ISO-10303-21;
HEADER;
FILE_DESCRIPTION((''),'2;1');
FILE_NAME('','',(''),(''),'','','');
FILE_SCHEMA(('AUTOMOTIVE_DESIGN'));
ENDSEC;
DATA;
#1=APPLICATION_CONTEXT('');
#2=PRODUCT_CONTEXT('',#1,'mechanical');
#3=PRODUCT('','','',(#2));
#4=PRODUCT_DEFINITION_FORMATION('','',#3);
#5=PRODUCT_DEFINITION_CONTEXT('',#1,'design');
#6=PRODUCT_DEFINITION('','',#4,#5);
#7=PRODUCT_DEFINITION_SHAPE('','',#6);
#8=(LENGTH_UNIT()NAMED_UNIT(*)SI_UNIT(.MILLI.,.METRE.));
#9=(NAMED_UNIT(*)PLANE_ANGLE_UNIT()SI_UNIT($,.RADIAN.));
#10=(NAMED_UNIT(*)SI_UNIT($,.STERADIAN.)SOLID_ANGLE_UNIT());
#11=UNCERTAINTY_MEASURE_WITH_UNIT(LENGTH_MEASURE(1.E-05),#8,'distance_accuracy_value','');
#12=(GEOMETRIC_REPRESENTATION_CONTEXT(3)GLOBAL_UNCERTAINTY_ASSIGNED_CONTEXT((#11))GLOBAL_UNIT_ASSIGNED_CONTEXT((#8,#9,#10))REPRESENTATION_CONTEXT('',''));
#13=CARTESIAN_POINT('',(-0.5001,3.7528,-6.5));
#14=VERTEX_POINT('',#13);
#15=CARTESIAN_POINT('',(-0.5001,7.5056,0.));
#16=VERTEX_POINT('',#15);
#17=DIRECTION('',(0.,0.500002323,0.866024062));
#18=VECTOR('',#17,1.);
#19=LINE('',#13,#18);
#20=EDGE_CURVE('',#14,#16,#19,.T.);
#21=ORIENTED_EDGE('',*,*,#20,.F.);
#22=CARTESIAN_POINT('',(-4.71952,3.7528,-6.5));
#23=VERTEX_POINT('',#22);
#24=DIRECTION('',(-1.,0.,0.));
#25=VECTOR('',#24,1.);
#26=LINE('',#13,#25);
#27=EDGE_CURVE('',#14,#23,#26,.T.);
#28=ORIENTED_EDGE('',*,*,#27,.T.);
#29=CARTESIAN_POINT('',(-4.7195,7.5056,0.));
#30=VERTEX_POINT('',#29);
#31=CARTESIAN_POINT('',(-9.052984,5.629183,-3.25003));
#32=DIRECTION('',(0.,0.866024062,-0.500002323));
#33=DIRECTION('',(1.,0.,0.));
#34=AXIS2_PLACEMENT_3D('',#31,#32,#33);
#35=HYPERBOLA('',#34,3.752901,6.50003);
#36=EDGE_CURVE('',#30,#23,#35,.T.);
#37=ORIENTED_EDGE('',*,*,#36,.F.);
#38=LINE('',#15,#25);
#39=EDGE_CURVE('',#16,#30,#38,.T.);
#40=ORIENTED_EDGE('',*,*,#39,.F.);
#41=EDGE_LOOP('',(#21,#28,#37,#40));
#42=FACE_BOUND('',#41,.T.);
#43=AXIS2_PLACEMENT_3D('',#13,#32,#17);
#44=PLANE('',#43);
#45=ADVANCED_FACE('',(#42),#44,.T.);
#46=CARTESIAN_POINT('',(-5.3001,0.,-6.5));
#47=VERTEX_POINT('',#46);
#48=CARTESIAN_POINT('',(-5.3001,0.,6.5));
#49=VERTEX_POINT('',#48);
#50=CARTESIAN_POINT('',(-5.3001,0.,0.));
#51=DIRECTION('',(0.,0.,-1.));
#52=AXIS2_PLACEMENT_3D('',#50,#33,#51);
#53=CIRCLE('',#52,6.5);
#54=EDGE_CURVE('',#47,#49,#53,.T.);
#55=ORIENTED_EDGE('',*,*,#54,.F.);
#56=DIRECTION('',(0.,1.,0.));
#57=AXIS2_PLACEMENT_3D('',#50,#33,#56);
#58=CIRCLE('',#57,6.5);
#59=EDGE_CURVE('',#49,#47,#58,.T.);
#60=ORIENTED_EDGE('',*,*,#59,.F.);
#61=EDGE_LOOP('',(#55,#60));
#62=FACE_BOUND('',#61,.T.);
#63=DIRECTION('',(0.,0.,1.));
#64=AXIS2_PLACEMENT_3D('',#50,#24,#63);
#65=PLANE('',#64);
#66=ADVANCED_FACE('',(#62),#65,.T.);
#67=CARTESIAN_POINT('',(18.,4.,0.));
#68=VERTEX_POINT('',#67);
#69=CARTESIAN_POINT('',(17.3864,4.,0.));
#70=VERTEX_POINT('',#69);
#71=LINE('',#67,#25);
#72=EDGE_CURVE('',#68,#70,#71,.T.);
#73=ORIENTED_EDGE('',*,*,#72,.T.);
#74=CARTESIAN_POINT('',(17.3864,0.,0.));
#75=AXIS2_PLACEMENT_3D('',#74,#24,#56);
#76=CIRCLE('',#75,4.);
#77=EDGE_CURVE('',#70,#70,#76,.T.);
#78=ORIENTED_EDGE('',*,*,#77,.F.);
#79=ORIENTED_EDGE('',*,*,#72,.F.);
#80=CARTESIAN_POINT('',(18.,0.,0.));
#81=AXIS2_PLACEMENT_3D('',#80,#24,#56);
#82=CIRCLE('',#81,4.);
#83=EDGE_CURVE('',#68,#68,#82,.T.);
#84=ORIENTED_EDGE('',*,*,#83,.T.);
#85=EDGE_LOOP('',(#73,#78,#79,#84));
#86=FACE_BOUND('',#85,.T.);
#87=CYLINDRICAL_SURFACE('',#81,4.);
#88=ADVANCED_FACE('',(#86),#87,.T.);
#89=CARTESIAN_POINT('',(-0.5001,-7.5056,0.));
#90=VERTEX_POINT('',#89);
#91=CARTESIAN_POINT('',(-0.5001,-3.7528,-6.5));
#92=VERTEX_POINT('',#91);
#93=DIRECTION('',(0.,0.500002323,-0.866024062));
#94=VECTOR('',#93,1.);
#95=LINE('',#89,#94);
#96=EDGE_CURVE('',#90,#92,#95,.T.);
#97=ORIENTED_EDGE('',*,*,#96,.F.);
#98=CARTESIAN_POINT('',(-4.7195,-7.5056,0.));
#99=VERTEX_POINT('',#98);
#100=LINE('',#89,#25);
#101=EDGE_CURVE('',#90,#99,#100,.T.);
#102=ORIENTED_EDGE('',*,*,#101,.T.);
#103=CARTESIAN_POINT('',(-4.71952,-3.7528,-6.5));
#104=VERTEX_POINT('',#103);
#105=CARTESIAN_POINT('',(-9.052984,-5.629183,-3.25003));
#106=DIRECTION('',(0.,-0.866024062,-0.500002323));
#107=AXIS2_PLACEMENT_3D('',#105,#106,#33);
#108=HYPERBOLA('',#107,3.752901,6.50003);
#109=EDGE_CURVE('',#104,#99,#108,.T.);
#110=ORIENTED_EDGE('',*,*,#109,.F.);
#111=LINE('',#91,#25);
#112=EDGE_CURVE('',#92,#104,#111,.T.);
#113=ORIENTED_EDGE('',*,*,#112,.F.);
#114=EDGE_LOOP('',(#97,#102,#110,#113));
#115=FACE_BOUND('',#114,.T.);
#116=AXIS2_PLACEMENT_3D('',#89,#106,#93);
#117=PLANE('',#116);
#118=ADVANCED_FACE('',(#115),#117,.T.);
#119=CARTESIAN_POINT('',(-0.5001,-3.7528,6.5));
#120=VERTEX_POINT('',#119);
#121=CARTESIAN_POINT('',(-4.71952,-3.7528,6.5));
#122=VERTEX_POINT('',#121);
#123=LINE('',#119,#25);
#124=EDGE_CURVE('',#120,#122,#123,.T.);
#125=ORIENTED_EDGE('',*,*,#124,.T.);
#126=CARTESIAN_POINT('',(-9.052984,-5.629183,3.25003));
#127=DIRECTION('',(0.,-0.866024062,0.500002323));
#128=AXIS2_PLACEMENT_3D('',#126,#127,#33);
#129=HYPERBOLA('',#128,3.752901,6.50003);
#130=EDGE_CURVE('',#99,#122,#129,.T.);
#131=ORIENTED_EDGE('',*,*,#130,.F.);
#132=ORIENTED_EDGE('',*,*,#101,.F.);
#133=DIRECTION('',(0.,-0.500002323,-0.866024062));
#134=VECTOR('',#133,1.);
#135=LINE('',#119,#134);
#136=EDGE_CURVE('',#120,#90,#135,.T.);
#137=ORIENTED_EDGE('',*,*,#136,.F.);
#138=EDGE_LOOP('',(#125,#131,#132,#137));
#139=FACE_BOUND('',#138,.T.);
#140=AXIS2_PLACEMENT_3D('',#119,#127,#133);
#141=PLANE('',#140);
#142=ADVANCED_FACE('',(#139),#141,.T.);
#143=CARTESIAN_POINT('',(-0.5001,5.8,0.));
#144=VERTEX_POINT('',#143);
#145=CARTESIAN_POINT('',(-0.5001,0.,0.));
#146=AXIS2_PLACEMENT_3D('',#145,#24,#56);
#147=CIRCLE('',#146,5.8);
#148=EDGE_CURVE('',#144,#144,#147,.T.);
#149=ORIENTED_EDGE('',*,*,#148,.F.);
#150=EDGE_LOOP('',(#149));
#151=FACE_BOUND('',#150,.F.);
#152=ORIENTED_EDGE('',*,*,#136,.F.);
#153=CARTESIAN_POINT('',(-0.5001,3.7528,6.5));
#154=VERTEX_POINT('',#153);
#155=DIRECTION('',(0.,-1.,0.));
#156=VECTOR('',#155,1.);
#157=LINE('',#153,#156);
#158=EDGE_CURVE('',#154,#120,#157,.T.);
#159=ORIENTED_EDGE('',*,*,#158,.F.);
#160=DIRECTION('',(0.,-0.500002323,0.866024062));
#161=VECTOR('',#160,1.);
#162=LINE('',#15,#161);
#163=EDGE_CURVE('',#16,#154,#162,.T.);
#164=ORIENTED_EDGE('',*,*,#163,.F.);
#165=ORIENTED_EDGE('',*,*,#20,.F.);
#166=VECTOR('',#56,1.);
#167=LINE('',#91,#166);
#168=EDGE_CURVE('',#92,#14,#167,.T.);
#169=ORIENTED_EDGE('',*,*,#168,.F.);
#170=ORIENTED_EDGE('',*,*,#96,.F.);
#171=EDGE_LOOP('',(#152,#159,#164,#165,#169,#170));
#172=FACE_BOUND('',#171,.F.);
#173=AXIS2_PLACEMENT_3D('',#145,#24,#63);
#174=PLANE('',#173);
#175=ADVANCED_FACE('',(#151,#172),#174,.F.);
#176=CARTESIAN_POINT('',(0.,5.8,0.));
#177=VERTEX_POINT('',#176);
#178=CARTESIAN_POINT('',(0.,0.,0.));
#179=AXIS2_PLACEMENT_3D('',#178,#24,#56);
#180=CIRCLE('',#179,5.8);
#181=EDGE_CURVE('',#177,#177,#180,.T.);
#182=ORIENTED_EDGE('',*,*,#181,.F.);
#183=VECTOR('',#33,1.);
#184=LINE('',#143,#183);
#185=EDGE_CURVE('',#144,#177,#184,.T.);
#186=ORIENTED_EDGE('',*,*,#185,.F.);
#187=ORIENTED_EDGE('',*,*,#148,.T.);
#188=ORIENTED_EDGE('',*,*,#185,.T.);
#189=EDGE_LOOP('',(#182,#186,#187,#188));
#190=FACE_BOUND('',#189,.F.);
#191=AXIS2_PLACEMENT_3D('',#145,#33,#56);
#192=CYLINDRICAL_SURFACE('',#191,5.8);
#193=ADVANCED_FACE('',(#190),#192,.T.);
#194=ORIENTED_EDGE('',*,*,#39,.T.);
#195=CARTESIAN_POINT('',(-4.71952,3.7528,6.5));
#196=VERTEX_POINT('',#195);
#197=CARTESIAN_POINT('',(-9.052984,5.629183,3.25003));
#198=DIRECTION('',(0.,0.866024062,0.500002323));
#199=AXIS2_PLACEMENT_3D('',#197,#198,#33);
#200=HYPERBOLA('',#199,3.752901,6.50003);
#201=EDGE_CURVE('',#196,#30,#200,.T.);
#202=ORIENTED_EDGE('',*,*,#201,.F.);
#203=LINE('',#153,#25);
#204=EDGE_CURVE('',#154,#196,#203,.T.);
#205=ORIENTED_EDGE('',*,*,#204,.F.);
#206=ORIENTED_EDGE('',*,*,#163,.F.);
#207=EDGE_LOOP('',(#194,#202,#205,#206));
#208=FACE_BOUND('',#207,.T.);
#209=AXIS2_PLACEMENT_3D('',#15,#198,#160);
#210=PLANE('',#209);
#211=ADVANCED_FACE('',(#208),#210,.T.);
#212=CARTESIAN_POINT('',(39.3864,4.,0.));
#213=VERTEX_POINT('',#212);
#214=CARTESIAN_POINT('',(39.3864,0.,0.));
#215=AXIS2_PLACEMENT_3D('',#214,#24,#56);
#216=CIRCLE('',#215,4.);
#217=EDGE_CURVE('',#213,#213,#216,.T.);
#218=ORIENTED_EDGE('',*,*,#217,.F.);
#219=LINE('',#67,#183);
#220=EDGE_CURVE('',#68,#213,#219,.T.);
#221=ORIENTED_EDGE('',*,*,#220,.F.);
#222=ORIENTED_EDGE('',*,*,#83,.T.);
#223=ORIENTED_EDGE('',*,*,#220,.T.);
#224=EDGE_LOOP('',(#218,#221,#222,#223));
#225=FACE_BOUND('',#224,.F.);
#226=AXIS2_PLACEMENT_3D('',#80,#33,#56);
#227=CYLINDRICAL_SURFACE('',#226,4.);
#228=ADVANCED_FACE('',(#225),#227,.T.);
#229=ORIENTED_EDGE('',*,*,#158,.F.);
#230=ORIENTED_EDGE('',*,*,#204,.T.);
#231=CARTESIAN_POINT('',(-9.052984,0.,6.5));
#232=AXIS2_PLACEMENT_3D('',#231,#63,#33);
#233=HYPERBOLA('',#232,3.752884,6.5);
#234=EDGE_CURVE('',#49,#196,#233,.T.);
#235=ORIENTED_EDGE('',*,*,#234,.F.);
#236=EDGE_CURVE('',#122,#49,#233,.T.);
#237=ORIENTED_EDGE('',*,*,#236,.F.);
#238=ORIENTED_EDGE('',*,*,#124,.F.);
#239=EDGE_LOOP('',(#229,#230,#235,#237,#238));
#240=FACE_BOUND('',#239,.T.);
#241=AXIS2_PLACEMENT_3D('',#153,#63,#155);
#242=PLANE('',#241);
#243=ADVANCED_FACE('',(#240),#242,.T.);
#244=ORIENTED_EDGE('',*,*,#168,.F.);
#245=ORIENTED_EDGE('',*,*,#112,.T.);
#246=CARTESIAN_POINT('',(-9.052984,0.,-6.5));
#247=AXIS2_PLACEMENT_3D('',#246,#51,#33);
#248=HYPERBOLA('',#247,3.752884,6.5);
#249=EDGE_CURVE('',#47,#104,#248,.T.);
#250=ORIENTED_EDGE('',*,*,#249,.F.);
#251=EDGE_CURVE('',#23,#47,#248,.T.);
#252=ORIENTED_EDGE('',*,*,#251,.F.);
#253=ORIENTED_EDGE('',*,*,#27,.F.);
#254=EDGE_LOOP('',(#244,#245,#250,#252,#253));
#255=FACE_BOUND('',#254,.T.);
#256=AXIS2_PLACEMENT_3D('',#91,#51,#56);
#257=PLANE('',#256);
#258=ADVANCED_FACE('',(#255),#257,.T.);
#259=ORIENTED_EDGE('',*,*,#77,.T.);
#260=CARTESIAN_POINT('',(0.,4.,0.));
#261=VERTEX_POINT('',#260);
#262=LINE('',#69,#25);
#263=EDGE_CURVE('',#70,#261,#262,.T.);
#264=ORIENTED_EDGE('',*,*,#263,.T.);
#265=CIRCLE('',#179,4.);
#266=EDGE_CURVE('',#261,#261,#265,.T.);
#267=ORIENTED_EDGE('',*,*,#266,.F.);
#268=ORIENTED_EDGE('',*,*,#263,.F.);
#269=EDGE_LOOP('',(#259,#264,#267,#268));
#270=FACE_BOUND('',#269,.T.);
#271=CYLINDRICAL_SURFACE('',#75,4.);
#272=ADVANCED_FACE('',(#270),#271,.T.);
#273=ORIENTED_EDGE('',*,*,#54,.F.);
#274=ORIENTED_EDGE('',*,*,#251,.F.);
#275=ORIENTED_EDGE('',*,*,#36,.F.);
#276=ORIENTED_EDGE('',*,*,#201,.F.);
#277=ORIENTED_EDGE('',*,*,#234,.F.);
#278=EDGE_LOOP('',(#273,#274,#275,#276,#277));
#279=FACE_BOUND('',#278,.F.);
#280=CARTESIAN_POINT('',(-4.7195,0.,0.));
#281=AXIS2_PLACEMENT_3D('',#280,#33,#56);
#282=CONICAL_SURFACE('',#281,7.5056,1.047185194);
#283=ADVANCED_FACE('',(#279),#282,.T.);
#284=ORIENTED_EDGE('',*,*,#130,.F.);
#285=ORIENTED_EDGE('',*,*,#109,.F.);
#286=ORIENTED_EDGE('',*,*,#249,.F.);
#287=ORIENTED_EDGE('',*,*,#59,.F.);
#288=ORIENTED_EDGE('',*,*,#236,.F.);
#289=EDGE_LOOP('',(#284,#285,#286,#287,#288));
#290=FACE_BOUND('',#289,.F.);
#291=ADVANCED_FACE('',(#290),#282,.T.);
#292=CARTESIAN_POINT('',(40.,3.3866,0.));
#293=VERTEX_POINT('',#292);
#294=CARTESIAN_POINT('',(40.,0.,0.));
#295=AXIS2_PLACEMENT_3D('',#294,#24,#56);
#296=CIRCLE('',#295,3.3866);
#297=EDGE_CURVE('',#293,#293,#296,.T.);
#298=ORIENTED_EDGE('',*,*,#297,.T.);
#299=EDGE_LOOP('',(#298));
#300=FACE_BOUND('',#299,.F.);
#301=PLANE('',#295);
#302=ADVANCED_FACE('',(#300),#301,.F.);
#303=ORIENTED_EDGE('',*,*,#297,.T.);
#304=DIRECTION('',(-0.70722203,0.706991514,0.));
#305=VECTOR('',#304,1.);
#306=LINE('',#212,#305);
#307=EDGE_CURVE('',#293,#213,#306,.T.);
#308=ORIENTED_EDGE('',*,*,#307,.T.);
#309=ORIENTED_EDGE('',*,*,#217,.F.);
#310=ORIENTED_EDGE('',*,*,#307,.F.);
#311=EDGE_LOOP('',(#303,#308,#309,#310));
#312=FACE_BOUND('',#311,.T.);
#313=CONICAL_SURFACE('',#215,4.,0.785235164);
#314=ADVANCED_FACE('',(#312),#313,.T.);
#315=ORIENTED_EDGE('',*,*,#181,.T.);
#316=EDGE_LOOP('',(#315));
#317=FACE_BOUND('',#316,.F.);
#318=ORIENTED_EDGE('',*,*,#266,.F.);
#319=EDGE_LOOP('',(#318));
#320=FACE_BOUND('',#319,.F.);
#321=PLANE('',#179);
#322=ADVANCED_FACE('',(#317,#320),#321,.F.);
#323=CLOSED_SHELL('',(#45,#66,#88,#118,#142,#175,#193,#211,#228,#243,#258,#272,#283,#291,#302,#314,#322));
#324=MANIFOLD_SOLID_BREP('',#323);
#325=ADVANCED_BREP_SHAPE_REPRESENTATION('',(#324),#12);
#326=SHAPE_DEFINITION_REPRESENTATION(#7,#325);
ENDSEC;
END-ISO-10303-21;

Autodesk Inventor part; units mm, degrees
ref_plane "YZ Plane" through (0, 0, 0) normal (1, 0, 0) x (0, 1, 0)
ref_plane "XZ Plane" through (0, 0, 0) normal (0, 1, 0) x (-1, 0, 0)
sketch "Sketch1" plane through (0, 0, 0) normal (0, 0, 1) x (1, 0, 0)
  line L0 (0, 5.8) -> (0, 4)
  line L1 (18, 4) -> (40, 4)
  line L2 (40, 4) -> (40, 0)
  line L3 (40, 0) -> (-0.5001, 0)
  line L4 (-8.6001, 0) -> (48.1, 0) projected
  line L5 (-0.5001, 0) -> (-0.5001, 5.8)
  line L6 (-0.5001, 5.8) -> (0, 5.8)
  line L7 (18, 4) -> (17.3864, 4)
  line L8 (17.3864, 4) -> (0, 4)
  line L9 (0, -1.16) -> (0, 6.96) projected
  dimension "d0" = 40
  dimension "d1" = 22
  dimension "d2" = 8
  dimension "d9" = 0.5001
  dimension "d10" = 11.6
  dimension "d13" = 0.6136
  dimension "d14" = 8
revolve "Body" add sketch "Sketch1" angle 360 about axis through (40, 0, 0) along (-1, 0, 0)
sketch "Sketch2" plane through (-0.5001, 0, 0) normal (-1, 0, 0) x (0, 0, 1)
  line L0 (0, 7.5056) -> (6.5, 3.7528)
  line L1 (6.5, 3.7528) -> (6.5, -3.7528)
  line L2 (6.5, -3.7528) -> (0, -7.5056)
  line L3 (0, -7.5056) -> (-6.5, -3.7528)
  line L4 (-6.5, -3.7528) -> (-6.5, 3.7528)
  line L5 (-6.5, 3.7528) -> (0, 7.5056)
  point P0 (0, 0)
  point P1 (0, 0)
  dimension "d11" = 13
extrude "Head" add sketch "Sketch2" along normal blind 4.8
sketch "Sketch4" plane through (0, 0, 0) normal (0, 0, 1) x (1, 0, 0)
  line L0 (-5.3001, 6.5) -> (-5.3001, 7.5056)
  line L1 (-5.3001, 7.5056) -> (-4.7195, 7.5056)
  line L2 (-4.7195, 7.5056) -> (-5.3001, 6.5)
  line L3 (-6.2601, 0) -> (0.4599, 0) projected
  line L4 (-0.5001, 7.5056) -> (-5.3001, 7.5056) projected
  line L5 (-5.3001, 3.7528) -> (-5.3001, 7.5056) projected
  dimension "d5" = 30
  dimension "d19" = 13
revolve "Chamfer1" cut sketch "Sketch4" angle 360 about axis through (-10, 0, 0) along (1, 0, 0)
thread "Thread" size "M8x1" class "6g" standard "ISO Metric profile" length 22
chamfer "Chamfer2" distance 0.6134 distance2 0.6136 1 edges at (40, -4, 0) measured on face at (40, 0.4453, 1.0204)
ref_plane "Work Plane1" through (1.525, 0, 0) normal (0, 0, 1) x (1, 0, 0)
equation "\"d0\" = NLG"
equation "\"d1\" = GEL"
equation "\"d2\" = GD"
equation "\"d10\" = SD2"
equation "\"d14\" = BDM"
equation "\"d11\" = SW"
equation "\"d3\" = KOH - SD"
equation "\"d5\" = ANG1"
equation "\"d19\" = SW0"
equation "\"d15\" = GEL"
equation "\"d6\" = -0.5 * SPD + 0.5 * GD"
equation "\"NLG\" = 40"
equation "\"GD\" = NND"
equation "\"BDM\" = NND"
equation "\"KOH\" = 5.3"
equation "\"GEL\" = 22"
equation "\"SW\" = 13"
equation "\"SW0\" = 13"
equation "\"SPD\" = NND - 1.2269 * PTC"
equation "\"SD2\" = 11.6"
equation "\"SD\" = 0.5"
equation "\"ANG1\" = 30deg"
equation "\"GAL\" = 0.61345 * PTC"
equation "\"GUL\" = 0.61345 * PTC"
equation "\"RR\" = 0.4"
equation "\"GD1\" = THREADDIA - 1.2269 * PTC"
equation "\"THREADDIA\" = 8"
equation "\"TOA\" = 30deg"
equation "\"PTC\" = 1"
equation "\"NND\" = 8"
equation "\"E0\" = 1.155 * SW"
properties part number "DIN 960 - M8 x 1 x 40" material "Steel, Mild"
